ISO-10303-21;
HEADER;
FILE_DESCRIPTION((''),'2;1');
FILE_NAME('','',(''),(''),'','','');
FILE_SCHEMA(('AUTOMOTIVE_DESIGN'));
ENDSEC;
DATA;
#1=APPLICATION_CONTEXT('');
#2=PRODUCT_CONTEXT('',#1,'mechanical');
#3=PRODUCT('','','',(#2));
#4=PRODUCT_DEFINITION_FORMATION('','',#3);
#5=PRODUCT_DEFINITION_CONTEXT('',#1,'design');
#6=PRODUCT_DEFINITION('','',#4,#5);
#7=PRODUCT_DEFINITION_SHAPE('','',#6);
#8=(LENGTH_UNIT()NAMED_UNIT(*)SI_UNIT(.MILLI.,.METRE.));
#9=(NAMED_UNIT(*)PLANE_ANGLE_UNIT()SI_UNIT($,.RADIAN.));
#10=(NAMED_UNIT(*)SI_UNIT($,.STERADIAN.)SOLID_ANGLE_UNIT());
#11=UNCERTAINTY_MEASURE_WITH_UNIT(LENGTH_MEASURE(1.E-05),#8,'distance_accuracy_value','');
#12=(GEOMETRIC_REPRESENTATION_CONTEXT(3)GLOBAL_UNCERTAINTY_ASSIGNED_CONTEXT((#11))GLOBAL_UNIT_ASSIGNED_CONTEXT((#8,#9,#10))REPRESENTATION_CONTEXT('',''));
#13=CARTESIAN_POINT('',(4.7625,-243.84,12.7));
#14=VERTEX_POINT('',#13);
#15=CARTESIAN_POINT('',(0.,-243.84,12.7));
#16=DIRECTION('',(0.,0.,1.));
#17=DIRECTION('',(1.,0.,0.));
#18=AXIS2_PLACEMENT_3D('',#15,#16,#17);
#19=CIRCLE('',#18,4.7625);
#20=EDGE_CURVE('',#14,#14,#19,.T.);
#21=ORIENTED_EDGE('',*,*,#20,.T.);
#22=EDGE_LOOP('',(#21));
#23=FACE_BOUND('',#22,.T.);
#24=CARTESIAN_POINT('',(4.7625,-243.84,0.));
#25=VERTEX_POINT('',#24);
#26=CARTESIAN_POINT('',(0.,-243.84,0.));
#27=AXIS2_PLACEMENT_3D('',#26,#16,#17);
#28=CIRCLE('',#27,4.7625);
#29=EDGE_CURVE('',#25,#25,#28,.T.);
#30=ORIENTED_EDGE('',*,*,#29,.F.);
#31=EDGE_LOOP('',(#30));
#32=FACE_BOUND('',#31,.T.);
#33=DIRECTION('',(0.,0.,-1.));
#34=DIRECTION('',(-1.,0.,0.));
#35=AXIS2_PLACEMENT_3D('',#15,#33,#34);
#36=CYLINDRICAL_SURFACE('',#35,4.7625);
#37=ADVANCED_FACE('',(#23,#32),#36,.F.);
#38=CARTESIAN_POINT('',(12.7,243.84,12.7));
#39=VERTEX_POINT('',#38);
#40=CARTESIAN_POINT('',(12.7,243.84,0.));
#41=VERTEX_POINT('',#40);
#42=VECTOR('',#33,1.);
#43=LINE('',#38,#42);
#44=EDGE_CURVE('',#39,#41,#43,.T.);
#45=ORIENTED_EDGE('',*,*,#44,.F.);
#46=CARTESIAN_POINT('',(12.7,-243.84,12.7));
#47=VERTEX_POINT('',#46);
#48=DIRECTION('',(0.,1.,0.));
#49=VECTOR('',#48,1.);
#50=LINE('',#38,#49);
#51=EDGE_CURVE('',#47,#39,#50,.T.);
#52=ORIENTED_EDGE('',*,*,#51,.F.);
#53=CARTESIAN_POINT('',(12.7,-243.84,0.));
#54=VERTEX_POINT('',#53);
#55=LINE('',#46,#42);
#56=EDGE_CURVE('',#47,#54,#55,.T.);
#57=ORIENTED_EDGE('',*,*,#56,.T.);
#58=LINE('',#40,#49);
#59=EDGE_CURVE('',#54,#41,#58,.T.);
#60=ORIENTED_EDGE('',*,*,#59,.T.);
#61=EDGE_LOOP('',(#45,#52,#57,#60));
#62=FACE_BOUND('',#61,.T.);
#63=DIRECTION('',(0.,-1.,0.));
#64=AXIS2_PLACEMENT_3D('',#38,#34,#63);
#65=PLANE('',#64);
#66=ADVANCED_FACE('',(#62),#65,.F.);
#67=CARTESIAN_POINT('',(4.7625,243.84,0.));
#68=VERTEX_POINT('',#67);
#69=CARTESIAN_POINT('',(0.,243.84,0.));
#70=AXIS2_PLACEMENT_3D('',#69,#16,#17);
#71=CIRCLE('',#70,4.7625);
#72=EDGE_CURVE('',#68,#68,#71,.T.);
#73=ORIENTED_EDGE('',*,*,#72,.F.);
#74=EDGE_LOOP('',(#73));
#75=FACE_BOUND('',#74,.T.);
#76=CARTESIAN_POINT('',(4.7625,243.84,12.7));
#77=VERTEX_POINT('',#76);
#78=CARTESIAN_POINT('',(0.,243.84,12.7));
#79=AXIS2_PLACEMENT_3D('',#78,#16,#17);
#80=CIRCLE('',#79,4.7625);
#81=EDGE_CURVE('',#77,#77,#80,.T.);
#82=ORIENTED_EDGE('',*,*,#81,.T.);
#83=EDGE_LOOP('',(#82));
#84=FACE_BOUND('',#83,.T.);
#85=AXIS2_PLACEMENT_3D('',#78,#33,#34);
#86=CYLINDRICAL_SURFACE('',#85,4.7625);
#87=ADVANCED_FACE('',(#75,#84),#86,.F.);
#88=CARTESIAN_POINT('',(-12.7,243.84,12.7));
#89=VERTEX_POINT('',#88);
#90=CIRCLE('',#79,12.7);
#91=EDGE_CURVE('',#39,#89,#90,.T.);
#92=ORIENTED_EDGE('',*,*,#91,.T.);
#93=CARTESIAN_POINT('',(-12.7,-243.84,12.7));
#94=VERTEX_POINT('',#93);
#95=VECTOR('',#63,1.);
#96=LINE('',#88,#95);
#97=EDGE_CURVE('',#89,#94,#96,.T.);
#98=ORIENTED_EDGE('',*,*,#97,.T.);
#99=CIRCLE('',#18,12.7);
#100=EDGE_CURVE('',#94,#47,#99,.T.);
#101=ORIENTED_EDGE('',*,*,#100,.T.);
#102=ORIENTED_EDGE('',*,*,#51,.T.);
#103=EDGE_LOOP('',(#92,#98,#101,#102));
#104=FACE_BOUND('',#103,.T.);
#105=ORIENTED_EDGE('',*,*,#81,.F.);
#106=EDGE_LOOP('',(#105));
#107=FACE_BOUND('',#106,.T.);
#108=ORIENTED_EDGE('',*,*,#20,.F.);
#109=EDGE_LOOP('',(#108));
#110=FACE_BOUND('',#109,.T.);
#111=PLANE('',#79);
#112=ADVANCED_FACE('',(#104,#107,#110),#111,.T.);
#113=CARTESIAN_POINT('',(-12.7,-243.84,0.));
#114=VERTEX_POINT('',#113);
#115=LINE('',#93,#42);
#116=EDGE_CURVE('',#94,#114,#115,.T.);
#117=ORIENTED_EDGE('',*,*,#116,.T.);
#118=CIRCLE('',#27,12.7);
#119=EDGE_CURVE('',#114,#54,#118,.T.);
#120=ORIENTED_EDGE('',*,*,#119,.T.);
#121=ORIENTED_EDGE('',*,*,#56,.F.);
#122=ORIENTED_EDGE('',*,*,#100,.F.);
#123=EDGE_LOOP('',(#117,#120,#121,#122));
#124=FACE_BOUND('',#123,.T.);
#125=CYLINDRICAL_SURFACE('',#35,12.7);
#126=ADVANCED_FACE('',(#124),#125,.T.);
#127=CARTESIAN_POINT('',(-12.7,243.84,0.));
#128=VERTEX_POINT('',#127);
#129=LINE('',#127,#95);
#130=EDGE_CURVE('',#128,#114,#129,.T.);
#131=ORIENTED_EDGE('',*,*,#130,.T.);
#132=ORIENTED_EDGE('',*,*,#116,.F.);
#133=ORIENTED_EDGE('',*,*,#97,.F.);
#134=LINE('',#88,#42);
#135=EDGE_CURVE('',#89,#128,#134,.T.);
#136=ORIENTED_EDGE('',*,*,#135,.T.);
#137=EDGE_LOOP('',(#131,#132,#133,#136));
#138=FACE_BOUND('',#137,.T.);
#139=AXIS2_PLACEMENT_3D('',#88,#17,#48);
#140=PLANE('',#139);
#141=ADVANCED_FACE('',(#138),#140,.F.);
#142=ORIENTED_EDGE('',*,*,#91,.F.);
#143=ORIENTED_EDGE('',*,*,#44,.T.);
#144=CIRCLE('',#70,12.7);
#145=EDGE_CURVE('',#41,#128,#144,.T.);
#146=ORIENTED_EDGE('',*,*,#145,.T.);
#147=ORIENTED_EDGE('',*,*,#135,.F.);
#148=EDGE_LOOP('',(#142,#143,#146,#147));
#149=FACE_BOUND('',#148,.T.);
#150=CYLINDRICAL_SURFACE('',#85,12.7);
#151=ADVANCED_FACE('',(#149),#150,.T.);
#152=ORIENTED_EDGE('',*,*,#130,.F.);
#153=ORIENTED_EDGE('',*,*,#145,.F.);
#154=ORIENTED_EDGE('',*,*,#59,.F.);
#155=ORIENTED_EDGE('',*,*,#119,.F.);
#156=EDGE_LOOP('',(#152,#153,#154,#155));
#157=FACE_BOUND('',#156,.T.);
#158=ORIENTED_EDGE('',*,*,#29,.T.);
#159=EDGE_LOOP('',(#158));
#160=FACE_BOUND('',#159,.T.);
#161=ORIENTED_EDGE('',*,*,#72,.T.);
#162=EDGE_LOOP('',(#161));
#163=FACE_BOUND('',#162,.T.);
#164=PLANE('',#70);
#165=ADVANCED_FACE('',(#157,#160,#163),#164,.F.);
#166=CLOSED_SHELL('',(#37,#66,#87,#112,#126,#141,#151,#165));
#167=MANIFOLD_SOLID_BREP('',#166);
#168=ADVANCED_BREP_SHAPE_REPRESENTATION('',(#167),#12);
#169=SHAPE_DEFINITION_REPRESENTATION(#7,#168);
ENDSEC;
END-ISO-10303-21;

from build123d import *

# Parameters (mm, degrees)
SKETCH1_R           = 4.7625
BOSS_EXTRUDE1_DEPTH = 12.7


with BuildPart() as part:
    # Sketch1 → Boss-Extrude1 (new body)
    with BuildSketch(Plane.XY):
        with BuildLine():
            Line((12.7, 243.84), (12.7, -243.84))
            ThreePointArc((12.7, -243.84), (0, -256.54), (-12.7, -243.84))
            Line((-12.7, -243.84), (-12.7, 243.84))
            ThreePointArc((-12.7, 243.84), (0, 256.54), (12.7, 243.84))
        make_face()
        with Locations((0, 243.84)):
            Circle(SKETCH1_R, mode=Mode.SUBTRACT)
        with Locations((0, -243.84)):
            Circle(SKETCH1_R, mode=Mode.SUBTRACT)
    extrude(amount=BOSS_EXTRUDE1_DEPTH)


solid = part.part
